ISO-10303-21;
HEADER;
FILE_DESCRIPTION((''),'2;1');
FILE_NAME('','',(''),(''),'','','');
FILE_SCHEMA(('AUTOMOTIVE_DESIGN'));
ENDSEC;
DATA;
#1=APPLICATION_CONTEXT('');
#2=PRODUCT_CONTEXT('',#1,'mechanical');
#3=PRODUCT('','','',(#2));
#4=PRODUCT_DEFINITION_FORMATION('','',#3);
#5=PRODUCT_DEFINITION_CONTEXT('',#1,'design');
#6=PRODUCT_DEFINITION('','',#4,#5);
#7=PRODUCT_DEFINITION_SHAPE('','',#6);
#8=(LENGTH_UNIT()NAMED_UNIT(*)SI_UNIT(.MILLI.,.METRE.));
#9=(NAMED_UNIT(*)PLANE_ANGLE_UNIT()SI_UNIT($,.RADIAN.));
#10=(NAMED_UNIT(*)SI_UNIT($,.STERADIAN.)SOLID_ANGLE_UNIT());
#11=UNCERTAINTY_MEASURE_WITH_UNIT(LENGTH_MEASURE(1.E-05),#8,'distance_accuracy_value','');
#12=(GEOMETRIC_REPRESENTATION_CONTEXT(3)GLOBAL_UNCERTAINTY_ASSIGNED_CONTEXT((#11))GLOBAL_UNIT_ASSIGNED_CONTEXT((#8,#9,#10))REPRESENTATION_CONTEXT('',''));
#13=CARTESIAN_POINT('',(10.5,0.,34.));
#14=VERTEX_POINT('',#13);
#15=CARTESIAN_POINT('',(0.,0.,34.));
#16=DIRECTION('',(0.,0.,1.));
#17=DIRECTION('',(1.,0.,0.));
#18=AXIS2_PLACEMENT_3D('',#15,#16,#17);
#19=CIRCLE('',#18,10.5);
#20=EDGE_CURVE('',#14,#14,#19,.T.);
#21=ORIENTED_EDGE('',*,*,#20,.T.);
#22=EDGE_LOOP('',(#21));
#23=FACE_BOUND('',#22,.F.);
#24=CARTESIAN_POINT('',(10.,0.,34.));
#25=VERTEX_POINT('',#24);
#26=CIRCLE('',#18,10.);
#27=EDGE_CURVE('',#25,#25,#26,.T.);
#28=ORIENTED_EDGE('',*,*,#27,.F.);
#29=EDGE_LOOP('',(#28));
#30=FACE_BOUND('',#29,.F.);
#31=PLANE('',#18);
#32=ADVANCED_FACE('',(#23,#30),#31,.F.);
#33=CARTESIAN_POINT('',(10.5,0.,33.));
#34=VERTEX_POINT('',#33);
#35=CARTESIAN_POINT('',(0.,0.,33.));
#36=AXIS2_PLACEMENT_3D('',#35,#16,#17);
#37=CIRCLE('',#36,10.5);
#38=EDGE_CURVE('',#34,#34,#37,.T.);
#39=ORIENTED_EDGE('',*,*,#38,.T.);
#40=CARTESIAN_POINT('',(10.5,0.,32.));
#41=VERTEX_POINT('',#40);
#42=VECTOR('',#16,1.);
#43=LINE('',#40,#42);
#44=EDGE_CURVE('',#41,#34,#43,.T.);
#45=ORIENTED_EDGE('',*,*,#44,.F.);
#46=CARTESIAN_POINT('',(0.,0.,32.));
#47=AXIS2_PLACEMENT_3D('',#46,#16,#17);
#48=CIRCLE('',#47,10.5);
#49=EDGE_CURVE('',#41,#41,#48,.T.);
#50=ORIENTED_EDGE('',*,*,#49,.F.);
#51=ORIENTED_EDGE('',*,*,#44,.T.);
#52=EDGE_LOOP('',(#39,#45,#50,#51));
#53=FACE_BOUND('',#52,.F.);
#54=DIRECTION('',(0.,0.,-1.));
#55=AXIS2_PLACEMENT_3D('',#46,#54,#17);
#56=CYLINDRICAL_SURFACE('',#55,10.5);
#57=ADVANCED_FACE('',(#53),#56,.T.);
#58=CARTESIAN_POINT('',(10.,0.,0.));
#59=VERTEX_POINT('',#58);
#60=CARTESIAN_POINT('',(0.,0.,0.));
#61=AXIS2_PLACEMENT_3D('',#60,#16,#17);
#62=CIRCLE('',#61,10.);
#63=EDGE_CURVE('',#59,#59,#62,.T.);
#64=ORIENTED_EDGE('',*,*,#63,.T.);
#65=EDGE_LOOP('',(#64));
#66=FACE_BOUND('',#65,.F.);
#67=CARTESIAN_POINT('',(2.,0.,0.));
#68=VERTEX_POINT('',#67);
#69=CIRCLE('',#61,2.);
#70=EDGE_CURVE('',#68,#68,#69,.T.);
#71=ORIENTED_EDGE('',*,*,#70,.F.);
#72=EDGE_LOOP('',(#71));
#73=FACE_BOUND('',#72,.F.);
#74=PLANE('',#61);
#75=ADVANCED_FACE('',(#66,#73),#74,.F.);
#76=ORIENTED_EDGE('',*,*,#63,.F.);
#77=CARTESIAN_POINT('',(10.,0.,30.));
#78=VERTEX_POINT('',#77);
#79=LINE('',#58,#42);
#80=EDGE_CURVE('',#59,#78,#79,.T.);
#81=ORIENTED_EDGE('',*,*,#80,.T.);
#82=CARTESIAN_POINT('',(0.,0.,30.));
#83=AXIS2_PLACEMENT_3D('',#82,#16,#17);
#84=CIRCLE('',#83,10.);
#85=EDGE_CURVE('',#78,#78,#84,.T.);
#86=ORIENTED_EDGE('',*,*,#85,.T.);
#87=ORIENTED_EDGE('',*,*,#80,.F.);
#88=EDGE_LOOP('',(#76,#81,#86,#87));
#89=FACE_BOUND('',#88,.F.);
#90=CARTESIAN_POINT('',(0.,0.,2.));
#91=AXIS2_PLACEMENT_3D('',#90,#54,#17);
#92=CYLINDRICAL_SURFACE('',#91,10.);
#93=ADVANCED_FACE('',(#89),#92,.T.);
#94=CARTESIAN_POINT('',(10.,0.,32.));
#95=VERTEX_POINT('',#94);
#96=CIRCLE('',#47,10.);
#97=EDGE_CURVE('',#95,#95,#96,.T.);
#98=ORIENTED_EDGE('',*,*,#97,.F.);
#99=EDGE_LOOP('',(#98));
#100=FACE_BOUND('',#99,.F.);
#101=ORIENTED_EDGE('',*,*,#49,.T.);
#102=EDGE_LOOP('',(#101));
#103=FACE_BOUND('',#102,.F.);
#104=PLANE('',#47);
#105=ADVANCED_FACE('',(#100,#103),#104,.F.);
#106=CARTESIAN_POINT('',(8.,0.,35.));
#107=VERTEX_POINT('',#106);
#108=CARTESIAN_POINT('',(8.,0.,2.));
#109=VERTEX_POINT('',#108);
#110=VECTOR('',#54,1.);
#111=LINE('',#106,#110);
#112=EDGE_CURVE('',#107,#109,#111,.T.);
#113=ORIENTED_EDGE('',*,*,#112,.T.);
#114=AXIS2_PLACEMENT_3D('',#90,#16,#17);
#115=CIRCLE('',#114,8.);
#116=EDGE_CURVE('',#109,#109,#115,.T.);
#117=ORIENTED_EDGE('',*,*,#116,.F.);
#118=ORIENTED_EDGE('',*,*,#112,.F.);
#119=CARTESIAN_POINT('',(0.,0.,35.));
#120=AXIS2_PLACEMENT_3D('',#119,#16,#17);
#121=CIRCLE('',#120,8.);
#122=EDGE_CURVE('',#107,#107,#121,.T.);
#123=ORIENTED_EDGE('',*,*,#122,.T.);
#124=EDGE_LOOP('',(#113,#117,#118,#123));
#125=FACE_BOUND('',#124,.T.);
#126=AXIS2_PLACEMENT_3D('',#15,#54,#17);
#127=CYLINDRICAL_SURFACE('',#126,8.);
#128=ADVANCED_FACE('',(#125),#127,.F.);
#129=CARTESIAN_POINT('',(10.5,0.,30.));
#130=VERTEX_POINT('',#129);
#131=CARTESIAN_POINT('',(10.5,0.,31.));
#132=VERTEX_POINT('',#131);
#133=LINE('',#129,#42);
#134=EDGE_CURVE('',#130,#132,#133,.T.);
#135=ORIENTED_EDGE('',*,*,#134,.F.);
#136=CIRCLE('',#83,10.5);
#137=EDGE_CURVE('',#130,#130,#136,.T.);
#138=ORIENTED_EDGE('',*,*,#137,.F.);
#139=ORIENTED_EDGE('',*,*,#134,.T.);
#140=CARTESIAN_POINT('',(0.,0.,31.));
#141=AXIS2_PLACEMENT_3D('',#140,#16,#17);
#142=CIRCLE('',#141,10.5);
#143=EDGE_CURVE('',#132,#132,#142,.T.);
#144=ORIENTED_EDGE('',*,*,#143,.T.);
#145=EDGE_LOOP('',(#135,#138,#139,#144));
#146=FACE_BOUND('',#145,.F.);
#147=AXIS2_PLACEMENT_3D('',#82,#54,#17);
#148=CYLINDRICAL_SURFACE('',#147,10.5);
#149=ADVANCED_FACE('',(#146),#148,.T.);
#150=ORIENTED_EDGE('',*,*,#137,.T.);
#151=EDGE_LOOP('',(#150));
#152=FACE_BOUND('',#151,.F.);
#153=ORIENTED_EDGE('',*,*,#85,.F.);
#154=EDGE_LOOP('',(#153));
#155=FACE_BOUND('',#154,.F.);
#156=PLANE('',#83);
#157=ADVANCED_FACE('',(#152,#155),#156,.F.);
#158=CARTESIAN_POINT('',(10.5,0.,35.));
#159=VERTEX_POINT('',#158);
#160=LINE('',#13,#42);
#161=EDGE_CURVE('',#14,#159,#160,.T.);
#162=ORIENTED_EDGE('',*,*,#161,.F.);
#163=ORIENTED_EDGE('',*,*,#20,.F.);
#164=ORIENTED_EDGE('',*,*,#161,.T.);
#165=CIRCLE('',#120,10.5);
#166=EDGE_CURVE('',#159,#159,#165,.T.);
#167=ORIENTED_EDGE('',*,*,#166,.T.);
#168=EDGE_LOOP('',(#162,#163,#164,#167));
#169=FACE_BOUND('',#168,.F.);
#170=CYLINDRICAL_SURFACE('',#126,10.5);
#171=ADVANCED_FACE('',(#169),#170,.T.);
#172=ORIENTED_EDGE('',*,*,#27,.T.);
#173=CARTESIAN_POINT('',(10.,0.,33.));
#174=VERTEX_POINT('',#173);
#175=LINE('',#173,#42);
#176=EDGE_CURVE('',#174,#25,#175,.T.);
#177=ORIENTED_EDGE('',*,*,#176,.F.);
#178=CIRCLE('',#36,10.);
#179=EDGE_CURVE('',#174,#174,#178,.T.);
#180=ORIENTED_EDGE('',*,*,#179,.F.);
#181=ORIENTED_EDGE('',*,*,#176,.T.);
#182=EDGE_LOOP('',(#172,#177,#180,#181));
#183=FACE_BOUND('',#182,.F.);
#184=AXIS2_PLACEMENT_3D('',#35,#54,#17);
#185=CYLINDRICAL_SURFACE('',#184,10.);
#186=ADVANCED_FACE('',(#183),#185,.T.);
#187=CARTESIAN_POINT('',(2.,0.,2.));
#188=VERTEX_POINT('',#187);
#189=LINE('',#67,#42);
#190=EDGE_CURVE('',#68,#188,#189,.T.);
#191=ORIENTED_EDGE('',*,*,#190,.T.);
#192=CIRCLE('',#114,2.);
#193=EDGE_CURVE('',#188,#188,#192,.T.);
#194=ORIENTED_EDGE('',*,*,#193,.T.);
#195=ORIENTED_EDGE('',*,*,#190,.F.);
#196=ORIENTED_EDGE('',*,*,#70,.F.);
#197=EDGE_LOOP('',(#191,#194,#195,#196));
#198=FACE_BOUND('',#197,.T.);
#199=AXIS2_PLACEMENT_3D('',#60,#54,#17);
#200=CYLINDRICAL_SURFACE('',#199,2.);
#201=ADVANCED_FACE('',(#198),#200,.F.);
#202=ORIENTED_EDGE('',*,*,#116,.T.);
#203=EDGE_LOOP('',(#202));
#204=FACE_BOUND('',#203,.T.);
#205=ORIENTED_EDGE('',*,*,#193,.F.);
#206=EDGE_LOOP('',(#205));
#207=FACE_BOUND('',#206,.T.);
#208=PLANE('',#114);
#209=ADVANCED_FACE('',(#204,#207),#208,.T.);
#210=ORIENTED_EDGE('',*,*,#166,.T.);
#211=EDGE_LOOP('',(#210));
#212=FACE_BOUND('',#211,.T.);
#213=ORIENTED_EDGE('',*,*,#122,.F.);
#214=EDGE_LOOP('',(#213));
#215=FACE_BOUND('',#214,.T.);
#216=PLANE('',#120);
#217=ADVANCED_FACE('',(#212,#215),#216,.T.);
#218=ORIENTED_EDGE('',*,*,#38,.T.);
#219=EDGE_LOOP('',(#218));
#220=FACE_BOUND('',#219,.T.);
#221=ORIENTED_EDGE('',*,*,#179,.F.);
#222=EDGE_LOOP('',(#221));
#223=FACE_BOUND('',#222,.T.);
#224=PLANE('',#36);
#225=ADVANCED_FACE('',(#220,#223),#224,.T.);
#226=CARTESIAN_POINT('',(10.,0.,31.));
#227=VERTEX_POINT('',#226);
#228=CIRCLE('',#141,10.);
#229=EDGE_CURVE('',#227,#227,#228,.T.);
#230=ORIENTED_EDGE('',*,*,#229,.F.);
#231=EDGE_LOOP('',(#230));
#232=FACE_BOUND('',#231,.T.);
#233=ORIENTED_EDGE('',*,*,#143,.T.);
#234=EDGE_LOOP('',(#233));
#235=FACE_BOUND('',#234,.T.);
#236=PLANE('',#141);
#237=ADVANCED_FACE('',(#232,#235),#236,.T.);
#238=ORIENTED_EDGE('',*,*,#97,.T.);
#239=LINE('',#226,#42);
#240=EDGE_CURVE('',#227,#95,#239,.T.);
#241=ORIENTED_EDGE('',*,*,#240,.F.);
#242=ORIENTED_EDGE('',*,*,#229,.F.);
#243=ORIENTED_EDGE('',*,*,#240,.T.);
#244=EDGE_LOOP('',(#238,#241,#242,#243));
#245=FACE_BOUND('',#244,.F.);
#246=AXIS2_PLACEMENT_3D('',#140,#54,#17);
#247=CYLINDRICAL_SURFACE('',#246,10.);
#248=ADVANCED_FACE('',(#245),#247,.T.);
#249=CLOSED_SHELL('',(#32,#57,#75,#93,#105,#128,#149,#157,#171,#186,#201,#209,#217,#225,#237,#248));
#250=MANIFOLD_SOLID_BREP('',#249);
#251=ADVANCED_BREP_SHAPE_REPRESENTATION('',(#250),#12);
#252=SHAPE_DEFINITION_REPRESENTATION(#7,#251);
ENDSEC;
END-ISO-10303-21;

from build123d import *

# Parameters (mm, degrees)
F0_R      = 10
F0_R_2    = 2
F1_DEPTH  = 2
F2_R      = 10
F2_R_2    = 8
F3_DEPTH  = 28
F4_R      = 10.5
F4_R_2    = 8
F5_DEPTH  = 1
F6_R      = 10
F6_R_2    = 8
F7_DEPTH  = 1
F8_R      = 10.5
F8_R_2    = 8
F9_DEPTH  = 1
F10_R     = 10
F10_R_2   = 8
F11_DEPTH = 1
F12_R     = 10.5
F12_R_2   = 8
F13_DEPTH = 1


with BuildPart() as f1:
    # F0 (on Top) → F1 (new body)
    with BuildSketch(Plane.XY):
        Circle(F0_R)
        Circle(F0_R_2, mode=Mode.SUBTRACT)
    extrude(amount=F1_DEPTH)

    # F2 (on face) → F3 (join)
    with BuildSketch(Plane.XY.offset(2)):
        Circle(F2_R)
        Circle(F2_R_2, mode=Mode.SUBTRACT)
    extrude(amount=F3_DEPTH)

    # F4 (on face) → F5 (join)
    with BuildSketch(Plane.XY.offset(30)):
        Circle(F4_R)
        Circle(F4_R_2, mode=Mode.SUBTRACT)
    extrude(amount=F5_DEPTH)

    # F6 (on face) → F7 (join)
    with BuildSketch(Plane.XY.offset(31)):
        Circle(F6_R)
        Circle(F6_R_2, mode=Mode.SUBTRACT)
    extrude(amount=F7_DEPTH)

    # F8 (on face) → F9 (join)
    with BuildSketch(Plane.XY.offset(32)):
        Circle(F8_R)
        Circle(F8_R_2, mode=Mode.SUBTRACT)
    extrude(amount=F9_DEPTH)

    # F10 (on face) → F11 (join)
    with BuildSketch(Plane.XY.offset(33)):
        Circle(F10_R)
        Circle(F10_R_2, mode=Mode.SUBTRACT)
    extrude(amount=F11_DEPTH)

    # F12 (on face) → F13 (join)
    with BuildSketch(Plane.XY.offset(34)):
        Circle(F12_R)
        Circle(F12_R_2, mode=Mode.SUBTRACT)
    extrude(amount=F13_DEPTH)


solid = f1.part
